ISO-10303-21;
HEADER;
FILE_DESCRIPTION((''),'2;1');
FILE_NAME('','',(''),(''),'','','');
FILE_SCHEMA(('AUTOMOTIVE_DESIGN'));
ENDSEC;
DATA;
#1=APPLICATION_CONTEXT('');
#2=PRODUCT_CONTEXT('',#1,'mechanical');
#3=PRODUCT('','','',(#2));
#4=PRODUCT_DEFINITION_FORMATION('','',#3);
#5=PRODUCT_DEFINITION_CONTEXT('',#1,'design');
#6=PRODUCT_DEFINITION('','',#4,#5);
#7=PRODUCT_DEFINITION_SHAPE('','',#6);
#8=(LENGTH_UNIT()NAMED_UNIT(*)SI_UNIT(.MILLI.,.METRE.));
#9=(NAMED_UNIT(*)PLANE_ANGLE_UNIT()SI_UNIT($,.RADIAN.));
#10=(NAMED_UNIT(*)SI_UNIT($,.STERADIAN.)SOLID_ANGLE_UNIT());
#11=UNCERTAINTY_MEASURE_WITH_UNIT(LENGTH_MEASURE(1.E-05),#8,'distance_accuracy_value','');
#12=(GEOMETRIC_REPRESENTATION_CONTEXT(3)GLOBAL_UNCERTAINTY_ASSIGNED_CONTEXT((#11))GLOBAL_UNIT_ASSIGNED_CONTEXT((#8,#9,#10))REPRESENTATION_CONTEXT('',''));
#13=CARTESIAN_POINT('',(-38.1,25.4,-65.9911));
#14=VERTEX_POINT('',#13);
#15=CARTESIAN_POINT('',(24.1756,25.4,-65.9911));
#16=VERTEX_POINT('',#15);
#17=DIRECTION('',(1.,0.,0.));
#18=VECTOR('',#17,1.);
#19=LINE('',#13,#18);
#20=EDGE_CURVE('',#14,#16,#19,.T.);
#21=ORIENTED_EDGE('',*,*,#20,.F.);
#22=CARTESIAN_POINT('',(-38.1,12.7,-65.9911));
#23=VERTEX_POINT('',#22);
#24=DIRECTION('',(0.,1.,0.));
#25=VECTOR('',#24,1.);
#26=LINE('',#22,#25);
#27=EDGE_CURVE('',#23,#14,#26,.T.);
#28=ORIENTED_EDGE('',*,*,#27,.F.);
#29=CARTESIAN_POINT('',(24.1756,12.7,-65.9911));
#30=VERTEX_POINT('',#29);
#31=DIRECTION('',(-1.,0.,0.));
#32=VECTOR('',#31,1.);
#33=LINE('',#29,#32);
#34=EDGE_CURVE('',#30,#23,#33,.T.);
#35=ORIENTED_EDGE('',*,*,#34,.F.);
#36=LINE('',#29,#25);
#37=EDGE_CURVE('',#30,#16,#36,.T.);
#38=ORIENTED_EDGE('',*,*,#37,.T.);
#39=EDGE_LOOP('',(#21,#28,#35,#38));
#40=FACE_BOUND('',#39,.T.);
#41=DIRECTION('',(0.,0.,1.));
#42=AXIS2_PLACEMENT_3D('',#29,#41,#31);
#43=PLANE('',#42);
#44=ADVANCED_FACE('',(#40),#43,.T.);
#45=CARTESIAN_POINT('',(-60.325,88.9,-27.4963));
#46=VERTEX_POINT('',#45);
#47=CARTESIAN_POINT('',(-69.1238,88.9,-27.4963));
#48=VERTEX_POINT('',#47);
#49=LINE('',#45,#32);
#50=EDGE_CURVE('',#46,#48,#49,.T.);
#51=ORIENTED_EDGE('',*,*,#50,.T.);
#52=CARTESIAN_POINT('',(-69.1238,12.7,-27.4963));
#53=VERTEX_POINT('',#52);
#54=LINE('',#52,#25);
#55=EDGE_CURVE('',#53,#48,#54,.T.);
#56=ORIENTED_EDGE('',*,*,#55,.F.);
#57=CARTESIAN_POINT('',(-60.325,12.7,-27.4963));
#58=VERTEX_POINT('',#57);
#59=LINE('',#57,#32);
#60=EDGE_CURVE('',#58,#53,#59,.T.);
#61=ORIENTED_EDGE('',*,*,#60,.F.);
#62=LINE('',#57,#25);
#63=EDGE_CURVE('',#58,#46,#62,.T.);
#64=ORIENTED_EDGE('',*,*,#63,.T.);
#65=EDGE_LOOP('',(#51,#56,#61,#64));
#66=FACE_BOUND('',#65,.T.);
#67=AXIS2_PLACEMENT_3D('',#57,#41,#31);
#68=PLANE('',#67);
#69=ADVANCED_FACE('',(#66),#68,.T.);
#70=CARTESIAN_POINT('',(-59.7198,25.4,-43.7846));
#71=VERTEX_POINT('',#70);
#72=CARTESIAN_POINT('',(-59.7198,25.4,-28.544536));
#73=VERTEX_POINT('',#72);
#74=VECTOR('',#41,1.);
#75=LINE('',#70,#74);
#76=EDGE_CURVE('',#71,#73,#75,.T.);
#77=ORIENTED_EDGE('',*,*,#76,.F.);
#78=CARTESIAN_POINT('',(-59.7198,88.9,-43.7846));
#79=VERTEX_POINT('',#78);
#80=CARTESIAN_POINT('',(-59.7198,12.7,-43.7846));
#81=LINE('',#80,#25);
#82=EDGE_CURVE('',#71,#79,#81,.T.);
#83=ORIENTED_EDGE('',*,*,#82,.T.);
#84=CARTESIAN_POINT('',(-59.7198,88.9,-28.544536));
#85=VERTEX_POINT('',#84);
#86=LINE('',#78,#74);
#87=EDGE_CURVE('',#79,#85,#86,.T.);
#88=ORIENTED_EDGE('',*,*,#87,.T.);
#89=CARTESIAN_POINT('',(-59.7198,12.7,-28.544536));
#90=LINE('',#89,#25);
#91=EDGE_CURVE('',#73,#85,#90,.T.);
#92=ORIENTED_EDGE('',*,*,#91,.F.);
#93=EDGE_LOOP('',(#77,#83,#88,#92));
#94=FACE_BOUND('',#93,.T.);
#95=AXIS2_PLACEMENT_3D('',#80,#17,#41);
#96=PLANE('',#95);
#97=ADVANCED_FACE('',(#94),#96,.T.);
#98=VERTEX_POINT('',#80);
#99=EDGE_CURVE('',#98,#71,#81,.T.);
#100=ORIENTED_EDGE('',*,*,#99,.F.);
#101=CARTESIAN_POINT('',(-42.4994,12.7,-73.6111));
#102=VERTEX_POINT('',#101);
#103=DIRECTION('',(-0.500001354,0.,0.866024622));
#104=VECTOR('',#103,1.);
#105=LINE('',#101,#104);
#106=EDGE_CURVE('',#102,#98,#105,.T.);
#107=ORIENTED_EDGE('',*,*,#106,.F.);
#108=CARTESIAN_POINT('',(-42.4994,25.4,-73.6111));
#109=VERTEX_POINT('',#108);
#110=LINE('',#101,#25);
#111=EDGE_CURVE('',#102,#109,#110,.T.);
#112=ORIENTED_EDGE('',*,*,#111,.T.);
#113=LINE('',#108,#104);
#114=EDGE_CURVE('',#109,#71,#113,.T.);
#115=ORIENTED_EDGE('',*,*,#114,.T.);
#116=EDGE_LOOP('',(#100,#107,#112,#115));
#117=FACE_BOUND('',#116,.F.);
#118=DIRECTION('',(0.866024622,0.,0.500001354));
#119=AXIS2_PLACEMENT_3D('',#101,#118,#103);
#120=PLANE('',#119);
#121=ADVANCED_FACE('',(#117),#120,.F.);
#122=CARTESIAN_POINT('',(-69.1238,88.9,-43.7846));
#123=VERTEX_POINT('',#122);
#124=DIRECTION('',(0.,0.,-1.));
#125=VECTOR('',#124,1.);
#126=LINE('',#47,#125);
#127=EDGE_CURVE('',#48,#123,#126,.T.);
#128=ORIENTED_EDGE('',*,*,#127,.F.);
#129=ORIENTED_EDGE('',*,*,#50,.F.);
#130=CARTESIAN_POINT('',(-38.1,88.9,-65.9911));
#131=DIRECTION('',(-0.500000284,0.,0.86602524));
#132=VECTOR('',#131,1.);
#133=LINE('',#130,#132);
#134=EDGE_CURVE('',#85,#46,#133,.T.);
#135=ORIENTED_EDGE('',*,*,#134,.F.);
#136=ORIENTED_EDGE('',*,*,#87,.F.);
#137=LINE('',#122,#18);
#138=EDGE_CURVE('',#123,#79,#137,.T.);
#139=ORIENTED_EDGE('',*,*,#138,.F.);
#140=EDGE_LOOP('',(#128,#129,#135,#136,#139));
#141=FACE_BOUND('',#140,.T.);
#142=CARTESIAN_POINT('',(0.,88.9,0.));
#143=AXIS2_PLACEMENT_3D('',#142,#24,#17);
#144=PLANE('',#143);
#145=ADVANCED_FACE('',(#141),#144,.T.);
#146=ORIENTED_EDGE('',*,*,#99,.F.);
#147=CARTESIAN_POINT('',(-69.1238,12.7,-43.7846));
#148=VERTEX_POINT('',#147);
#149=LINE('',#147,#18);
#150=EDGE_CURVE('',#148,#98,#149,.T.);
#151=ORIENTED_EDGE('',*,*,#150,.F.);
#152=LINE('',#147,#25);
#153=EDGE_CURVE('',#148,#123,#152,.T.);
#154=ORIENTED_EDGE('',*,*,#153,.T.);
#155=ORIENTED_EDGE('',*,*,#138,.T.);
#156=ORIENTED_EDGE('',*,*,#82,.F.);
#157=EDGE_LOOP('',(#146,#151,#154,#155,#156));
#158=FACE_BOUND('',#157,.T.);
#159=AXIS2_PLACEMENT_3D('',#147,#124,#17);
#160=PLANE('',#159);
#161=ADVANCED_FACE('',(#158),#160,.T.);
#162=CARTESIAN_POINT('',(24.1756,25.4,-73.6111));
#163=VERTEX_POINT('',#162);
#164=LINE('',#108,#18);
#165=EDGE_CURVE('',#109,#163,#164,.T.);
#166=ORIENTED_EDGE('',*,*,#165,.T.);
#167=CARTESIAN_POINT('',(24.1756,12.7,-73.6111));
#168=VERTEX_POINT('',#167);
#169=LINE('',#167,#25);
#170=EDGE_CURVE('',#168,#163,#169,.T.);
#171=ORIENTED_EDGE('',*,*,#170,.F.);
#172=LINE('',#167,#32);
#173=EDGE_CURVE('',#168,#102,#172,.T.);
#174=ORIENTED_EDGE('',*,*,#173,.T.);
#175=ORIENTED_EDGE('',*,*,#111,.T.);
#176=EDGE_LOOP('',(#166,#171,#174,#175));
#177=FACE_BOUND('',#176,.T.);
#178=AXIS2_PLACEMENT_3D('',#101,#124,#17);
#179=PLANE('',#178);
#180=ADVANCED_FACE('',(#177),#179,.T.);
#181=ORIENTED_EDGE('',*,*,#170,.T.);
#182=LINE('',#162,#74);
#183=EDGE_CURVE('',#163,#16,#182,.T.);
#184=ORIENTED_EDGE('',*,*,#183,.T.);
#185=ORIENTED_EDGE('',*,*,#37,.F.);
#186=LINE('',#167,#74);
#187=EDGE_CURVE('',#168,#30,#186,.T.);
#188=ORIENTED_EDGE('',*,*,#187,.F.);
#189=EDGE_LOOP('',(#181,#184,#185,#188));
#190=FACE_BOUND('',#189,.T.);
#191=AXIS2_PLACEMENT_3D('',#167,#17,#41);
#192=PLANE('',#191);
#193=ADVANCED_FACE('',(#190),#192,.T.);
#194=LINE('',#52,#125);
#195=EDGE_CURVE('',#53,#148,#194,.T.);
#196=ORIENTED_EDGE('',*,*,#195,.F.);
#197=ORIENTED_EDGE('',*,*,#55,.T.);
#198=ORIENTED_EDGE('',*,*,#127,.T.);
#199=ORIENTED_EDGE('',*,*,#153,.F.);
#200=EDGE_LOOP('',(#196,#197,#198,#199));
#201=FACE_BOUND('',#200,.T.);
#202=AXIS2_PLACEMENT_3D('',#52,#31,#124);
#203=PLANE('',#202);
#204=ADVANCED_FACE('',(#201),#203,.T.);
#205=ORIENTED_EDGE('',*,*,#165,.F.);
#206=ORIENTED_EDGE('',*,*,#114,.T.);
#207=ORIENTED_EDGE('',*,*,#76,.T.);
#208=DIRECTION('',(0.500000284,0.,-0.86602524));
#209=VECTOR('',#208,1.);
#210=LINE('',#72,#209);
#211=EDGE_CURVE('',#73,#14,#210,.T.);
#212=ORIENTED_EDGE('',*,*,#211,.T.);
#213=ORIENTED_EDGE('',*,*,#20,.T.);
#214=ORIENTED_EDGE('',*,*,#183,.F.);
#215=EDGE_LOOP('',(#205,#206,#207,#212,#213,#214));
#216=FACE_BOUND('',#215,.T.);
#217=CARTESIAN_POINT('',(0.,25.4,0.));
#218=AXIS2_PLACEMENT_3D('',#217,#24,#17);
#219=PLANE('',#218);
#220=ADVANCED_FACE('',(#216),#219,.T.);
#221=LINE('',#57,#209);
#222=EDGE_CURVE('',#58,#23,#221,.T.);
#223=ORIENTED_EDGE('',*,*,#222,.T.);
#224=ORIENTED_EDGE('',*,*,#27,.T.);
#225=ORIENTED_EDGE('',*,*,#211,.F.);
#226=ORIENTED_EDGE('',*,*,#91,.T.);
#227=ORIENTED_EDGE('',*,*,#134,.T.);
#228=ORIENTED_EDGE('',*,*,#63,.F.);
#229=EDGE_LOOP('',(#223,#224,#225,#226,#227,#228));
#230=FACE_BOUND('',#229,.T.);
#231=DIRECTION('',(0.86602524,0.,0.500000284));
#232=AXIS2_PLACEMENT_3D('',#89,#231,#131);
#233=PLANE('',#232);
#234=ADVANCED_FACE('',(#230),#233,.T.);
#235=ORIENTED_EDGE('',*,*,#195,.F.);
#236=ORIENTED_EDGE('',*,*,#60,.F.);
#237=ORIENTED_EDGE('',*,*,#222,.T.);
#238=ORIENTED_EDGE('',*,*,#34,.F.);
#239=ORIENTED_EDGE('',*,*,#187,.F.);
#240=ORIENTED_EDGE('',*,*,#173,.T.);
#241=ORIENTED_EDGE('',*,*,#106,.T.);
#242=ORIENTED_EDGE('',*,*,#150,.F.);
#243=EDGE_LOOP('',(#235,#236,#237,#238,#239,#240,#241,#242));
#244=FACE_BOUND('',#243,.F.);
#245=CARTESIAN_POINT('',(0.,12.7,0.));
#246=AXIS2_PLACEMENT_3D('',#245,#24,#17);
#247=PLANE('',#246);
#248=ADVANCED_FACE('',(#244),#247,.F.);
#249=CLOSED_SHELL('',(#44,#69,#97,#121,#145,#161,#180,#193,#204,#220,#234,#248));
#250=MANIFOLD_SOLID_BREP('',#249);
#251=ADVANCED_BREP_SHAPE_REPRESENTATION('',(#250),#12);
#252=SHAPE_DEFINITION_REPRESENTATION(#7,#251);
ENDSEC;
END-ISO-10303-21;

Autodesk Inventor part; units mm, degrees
ref_plane "YZ Plane" through (0, 0, 0) normal (1, 0, 0) x (0, 1, 0)
ref_plane "XZ Plane" through (0, 0, 0) normal (0, 1, 0) x (-1, 0, 0)
ref_plane "XY Plane" through (0, 0, 0) normal (0, 0, 1) x (1, 0, 0)
ref_plane "Work Plane1" through (0, 12.7, 0) normal (0, 1, 0) x (1, 0, 0)
sketch "Sketch3" plane through (0, 12.7, 0) normal (0, 1, 0) x (1, 0, 0)
  line L0 (-42.4994, 73.6111) -> (4.3994, 73.6111)
  line L1 (-38.1, 65.9911) -> (-42.4994, 73.6111)
  line L2 (-38.1, 65.9911) -> (-60.325, 27.4963)
  line L3 (-60.325, 27.4963) -> (-69.1238, 27.4963)
  line L4 (0, 65.9911) -> (-38.1, 65.9911)
  line L5 (-42.4994, 73.6111) -> (-59.7198, 43.7846)
  line L6 (-59.7198, 43.7846) -> (-50.9209, 43.7846)
  line L7 (-42.4994, 73.6111) -> (-69.1238, 27.4963)
  line L8 (-42.4994, 73.6111) -> (24.1756, 73.6111)
  line L9 (24.1756, 73.6111) -> (24.1756, 65.9911)
  line L10 (24.1756, 65.9911) -> (0, 65.9911)
  line L11 (-69.1238, 27.4963) -> (-69.1238, 43.7846)
  line L12 (-69.1238, 43.7846) -> (-59.7198, 43.7846)
  line L13 (-59.7198, 43.7846) -> (-59.7198, 27.4963)
  point P0 (4.3994, 73.6111)
  point P1 (-59.7198, 28.5446)
  dimension "d49" = 46.8988
  dimension "d54" = 8.7988
  dimension "d61" = 120
  dimension "d64" = 60
  dimension "d65" = 38.1
  dimension "d75" = 66.675
  dimension "d88" = 44.45
extrude "Extrusion12" add sketch "Sketch3" along normal blind 76.2 contours L13 L2 L3 L7 | L7 L11 L12
extrude "Extrusion13" add sketch "Sketch3" along normal blind 12.7 contours L0 L8 L9 L10 L4 L1 | L1 L2 L6 L5 | L6 L2 L13
properties part number "HexMidPiece"
